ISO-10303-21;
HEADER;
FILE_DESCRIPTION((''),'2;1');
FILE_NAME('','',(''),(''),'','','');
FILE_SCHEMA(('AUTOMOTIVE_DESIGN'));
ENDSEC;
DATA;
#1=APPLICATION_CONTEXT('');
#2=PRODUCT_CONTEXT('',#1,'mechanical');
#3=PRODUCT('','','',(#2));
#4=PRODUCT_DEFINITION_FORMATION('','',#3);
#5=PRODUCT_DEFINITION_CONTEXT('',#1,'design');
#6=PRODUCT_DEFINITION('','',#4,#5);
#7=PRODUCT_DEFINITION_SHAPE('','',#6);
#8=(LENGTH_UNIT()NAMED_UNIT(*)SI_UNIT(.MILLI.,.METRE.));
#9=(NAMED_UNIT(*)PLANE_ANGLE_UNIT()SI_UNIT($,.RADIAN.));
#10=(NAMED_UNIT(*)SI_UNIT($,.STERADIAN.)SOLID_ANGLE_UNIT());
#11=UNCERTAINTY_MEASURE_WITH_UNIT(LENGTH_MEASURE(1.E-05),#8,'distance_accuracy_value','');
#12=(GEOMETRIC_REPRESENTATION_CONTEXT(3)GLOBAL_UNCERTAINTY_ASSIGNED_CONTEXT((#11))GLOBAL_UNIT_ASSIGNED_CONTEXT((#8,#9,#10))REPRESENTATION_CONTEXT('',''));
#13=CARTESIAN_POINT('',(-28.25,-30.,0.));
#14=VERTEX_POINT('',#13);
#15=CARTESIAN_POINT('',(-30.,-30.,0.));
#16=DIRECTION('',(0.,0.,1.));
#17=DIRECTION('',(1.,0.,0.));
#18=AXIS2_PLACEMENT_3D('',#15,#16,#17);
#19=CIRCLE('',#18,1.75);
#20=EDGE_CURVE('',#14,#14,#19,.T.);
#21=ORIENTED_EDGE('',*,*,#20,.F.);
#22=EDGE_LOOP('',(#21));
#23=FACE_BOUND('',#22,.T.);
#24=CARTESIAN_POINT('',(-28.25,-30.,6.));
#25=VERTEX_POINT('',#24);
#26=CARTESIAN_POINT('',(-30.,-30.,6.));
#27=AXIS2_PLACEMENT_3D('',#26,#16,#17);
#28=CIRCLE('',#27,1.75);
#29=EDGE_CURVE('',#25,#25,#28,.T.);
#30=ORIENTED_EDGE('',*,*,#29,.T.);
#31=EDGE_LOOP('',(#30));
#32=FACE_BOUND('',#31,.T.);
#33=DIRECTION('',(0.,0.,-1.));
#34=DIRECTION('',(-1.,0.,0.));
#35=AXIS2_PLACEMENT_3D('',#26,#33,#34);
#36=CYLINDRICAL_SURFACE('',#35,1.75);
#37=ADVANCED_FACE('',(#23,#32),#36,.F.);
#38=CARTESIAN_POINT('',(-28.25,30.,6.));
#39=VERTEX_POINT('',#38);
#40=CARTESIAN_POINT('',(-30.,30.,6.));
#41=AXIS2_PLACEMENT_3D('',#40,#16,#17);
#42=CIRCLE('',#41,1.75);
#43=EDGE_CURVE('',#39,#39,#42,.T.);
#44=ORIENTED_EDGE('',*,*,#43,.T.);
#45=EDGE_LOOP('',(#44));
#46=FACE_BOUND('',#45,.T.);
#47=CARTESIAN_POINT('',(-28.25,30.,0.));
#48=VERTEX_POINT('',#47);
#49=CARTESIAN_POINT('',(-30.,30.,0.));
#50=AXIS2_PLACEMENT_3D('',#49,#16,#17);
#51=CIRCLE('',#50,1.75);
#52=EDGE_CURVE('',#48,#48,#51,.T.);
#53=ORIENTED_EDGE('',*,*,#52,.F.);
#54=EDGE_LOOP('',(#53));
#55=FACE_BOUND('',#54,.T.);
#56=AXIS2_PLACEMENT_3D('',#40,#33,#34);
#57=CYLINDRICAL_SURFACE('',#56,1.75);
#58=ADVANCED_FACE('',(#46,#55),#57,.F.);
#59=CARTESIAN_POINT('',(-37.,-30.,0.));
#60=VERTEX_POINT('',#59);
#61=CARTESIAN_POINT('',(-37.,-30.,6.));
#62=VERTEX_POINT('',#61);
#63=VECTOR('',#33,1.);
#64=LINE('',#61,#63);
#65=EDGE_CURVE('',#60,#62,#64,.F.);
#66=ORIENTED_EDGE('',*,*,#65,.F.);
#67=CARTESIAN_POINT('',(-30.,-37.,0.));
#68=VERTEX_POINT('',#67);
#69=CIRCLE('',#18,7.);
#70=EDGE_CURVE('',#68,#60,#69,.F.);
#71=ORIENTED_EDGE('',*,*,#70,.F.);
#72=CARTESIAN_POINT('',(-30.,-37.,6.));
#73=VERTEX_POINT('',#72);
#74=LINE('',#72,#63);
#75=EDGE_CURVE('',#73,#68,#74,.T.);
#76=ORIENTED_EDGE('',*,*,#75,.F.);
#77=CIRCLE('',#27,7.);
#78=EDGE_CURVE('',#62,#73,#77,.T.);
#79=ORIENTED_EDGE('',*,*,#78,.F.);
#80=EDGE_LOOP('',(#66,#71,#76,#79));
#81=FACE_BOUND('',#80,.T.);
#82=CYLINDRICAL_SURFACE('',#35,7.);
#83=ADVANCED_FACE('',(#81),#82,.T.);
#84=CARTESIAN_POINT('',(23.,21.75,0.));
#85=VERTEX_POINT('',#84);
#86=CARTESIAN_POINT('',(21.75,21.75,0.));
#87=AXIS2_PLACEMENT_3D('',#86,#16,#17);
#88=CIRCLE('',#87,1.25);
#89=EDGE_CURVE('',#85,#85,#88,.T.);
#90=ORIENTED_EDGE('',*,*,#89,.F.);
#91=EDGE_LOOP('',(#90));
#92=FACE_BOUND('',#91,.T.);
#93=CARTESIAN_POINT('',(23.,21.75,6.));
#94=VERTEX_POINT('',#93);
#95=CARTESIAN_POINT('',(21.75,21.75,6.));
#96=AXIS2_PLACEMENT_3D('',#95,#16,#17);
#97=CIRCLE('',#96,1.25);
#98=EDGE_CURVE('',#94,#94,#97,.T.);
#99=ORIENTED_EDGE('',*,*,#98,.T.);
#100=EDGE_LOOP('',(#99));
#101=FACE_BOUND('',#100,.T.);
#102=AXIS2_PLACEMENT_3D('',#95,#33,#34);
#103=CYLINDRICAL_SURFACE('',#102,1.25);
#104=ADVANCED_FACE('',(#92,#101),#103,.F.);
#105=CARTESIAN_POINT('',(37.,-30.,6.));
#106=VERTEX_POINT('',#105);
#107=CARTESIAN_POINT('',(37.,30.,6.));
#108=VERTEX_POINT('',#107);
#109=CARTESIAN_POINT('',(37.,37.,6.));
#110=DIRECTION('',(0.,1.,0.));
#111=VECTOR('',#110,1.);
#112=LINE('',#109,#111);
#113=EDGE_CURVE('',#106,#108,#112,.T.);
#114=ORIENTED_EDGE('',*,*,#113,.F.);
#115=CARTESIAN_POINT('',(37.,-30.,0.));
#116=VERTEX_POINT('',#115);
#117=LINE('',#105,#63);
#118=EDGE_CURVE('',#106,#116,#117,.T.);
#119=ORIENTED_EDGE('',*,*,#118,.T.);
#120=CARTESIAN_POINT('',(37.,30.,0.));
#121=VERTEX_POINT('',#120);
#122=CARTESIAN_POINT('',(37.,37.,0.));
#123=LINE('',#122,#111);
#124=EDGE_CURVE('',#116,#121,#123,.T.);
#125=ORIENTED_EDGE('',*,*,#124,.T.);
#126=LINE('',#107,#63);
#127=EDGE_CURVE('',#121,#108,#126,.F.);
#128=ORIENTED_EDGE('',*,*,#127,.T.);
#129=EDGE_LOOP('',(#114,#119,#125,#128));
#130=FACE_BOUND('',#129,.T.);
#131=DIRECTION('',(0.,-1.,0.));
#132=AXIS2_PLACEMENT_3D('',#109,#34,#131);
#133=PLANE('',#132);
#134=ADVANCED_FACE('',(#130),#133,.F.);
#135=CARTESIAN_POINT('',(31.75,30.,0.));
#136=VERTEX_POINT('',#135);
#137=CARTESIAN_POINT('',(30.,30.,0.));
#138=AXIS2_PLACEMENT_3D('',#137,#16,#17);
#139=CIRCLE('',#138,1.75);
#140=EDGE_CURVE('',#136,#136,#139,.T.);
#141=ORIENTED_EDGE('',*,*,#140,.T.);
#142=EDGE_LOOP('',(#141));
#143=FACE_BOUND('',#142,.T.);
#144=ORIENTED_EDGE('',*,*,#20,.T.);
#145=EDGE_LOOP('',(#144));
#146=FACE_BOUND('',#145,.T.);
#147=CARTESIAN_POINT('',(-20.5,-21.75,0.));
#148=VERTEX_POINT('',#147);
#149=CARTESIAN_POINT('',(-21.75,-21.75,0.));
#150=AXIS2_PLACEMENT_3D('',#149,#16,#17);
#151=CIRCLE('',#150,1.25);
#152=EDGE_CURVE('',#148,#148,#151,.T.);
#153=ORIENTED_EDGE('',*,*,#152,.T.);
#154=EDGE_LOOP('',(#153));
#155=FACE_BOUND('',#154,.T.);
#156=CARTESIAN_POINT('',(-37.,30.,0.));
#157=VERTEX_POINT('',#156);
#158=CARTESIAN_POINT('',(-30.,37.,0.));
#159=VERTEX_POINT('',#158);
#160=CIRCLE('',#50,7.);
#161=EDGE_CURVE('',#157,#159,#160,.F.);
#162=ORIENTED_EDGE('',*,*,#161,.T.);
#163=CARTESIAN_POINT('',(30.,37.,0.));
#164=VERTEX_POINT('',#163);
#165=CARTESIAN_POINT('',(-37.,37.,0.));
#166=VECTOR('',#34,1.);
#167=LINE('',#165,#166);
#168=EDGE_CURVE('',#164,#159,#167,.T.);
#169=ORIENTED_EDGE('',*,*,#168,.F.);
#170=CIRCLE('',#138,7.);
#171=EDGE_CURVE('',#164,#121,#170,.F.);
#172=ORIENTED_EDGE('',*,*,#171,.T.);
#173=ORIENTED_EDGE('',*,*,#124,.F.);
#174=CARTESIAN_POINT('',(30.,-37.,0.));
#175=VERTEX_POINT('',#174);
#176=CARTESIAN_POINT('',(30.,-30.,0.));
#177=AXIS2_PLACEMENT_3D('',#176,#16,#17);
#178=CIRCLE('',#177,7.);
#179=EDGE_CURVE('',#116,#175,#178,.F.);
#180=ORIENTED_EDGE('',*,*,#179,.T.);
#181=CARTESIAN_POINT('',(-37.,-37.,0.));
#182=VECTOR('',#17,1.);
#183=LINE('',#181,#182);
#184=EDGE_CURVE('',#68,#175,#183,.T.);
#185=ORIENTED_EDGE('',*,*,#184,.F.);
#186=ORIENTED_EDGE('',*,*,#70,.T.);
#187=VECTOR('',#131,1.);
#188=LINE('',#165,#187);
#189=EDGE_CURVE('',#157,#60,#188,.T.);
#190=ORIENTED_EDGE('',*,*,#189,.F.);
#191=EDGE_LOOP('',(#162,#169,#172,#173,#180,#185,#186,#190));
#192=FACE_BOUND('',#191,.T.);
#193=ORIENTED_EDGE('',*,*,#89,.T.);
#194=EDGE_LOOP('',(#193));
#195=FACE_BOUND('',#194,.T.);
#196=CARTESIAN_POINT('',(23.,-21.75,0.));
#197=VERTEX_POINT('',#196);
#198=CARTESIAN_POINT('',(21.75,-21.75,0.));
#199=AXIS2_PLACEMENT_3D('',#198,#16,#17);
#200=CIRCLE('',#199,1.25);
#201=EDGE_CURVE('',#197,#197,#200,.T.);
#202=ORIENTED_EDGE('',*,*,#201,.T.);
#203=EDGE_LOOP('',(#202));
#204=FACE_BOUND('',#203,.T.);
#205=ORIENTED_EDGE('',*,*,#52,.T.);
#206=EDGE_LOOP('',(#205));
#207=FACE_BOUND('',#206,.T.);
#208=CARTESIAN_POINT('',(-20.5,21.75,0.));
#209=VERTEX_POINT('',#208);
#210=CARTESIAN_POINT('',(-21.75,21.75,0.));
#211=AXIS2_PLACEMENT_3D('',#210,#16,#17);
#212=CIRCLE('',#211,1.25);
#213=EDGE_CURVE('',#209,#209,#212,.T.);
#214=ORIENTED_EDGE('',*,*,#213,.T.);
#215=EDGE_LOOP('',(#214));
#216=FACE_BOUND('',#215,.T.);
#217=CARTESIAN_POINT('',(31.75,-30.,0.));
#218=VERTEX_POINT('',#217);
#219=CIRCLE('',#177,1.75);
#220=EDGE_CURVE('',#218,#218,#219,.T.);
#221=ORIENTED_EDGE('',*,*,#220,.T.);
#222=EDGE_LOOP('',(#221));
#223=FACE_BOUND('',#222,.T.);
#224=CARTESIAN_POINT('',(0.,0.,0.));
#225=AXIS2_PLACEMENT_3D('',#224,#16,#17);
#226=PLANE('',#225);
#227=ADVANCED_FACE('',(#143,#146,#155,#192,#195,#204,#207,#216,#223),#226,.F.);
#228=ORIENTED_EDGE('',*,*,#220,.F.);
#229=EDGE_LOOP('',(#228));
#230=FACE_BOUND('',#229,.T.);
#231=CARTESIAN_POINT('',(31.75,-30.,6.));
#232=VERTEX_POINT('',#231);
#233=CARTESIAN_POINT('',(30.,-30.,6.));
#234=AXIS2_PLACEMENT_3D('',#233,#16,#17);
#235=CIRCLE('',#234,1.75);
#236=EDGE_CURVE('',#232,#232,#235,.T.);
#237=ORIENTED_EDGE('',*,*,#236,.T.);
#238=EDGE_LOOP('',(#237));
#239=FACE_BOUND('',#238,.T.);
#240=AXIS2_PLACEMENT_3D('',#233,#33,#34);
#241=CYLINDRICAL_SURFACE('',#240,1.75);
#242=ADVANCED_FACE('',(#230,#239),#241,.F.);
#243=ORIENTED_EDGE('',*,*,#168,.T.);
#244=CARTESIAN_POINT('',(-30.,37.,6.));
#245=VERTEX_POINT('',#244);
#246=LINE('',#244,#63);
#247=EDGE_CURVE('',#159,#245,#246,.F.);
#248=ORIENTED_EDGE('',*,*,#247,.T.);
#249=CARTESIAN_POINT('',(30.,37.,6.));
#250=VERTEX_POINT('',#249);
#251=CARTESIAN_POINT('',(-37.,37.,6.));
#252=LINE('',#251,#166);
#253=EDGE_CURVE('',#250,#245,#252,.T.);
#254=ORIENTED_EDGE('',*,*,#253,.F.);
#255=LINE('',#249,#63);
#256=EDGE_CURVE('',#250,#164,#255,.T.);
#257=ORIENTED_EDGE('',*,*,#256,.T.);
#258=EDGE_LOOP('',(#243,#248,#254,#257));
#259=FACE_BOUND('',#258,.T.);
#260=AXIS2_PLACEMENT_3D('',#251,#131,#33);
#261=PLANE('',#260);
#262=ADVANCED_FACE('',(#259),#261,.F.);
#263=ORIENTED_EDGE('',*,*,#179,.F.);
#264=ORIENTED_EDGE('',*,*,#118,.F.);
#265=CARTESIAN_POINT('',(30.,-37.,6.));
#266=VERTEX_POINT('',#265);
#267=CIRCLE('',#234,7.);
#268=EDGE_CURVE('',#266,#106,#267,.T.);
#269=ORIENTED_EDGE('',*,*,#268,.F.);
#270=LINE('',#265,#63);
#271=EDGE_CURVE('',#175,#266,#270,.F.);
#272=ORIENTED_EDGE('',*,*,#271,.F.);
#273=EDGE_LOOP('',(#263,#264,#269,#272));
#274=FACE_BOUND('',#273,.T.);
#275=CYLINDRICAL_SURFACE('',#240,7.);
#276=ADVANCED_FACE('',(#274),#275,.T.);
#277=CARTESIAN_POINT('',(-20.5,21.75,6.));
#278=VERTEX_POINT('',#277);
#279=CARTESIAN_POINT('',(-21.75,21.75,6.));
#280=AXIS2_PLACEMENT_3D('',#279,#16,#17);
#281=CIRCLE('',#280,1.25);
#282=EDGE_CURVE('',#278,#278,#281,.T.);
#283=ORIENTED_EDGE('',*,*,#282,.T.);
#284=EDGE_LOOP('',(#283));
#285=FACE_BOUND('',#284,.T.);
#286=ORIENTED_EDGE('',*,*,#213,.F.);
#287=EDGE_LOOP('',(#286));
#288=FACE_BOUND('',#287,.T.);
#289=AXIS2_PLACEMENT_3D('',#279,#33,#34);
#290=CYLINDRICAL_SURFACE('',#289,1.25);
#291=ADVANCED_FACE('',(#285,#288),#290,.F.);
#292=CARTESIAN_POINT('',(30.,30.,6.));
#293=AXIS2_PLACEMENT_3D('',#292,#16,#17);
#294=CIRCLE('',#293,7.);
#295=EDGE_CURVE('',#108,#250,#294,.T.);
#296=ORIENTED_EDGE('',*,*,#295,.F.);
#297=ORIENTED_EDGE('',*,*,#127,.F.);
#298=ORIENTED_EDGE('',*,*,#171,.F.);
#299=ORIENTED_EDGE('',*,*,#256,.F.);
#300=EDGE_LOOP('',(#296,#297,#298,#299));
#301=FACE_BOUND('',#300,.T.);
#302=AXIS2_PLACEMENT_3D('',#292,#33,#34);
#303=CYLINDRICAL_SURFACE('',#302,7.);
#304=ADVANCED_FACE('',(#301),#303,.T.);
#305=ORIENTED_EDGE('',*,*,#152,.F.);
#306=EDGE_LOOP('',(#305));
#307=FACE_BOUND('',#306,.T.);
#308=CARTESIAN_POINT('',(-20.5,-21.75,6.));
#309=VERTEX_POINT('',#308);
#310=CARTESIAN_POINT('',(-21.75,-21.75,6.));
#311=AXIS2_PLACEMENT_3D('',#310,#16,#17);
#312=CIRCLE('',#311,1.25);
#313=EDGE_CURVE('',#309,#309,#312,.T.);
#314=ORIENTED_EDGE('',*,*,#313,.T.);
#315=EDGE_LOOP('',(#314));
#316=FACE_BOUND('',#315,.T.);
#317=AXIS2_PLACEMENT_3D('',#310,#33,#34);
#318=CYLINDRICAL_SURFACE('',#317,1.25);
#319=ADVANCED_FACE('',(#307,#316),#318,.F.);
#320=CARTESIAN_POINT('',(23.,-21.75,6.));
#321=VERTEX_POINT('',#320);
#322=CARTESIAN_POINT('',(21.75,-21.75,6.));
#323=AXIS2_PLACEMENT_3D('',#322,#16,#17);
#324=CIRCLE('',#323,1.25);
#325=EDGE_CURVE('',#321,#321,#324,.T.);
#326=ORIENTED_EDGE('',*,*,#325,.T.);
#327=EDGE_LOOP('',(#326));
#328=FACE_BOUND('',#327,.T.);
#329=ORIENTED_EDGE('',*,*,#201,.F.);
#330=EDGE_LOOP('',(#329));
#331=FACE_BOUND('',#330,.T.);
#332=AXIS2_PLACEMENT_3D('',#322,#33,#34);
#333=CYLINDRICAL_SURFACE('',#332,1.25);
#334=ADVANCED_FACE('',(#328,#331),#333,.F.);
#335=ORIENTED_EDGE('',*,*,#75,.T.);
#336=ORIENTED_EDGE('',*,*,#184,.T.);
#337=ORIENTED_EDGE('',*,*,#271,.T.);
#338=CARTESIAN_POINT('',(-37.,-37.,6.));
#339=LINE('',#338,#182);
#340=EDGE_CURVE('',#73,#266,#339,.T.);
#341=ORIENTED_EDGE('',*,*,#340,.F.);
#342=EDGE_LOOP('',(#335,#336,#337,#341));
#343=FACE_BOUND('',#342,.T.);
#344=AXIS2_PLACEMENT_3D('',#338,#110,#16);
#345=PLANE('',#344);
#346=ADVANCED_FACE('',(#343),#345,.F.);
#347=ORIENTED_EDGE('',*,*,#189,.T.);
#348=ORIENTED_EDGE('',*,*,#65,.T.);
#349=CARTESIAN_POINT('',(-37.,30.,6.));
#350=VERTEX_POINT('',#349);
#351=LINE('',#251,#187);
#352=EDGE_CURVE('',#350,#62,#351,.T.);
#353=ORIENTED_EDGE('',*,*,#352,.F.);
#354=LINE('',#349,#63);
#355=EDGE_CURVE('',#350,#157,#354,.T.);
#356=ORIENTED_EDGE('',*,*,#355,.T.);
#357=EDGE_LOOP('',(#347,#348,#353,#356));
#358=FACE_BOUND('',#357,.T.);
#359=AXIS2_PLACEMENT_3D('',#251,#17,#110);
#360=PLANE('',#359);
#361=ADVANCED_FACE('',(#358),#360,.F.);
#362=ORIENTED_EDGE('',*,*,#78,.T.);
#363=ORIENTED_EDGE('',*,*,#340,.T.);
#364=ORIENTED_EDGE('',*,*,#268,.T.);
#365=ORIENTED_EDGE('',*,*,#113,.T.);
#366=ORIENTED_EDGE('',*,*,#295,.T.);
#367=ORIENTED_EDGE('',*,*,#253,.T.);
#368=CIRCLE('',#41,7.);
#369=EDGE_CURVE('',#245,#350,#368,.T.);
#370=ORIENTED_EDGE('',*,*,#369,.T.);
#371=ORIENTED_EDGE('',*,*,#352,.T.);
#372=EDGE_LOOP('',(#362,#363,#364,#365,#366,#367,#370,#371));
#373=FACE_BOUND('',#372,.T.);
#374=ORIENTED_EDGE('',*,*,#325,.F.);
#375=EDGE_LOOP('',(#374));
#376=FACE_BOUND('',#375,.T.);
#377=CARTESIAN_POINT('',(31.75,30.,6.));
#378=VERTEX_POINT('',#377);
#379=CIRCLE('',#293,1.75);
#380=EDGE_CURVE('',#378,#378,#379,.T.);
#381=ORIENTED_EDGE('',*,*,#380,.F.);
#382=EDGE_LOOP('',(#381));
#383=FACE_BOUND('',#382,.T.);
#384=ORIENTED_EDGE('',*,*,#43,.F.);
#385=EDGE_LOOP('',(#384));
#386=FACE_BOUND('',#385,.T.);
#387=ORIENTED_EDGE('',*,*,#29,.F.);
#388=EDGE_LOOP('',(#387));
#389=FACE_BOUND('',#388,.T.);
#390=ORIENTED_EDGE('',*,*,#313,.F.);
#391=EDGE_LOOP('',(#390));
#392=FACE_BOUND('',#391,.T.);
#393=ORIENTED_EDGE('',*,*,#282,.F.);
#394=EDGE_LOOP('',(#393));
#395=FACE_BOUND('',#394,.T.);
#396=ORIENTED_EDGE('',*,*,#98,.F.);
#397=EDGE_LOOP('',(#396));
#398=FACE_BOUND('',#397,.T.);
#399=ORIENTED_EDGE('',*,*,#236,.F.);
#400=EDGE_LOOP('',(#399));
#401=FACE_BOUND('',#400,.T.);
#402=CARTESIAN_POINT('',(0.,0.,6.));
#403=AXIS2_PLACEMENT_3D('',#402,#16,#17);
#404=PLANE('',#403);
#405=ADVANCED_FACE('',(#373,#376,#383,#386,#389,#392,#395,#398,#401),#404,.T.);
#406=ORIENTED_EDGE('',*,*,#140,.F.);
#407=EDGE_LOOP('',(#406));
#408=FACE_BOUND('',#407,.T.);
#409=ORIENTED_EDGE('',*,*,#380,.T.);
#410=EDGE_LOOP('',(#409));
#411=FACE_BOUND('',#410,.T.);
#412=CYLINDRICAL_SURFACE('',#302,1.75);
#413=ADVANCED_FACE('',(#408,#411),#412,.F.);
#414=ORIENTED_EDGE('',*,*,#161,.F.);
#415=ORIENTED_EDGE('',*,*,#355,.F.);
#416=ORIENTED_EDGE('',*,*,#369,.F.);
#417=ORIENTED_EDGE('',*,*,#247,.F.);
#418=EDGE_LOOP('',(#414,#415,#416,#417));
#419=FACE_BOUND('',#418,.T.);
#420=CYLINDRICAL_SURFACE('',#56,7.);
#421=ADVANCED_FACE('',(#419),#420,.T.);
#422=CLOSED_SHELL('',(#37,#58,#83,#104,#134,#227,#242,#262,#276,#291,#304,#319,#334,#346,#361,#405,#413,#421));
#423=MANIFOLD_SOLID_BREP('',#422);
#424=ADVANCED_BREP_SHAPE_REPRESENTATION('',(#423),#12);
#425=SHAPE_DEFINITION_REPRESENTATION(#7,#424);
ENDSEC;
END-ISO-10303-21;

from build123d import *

# Parameters (mm, degrees)
ESQUISSE1_W        = 74
ESQUISSE1_H        = 74
ESQUISSE1_R        = 1.75
ESQUISSE1_R_2      = 1.25
BOSS_EXTRU_1_DEPTH = 6
CONG_1_R           = 7


with BuildPart() as part:
    # Esquisse1 → Boss.-Extru.1 (new body)
    with BuildSketch(Plane.XY):
        Rectangle(ESQUISSE1_W, ESQUISSE1_H)
        with Locations((-30, 30)):
            Circle(ESQUISSE1_R, mode=Mode.SUBTRACT)
        with Locations((-21.75, 21.75)):
            Circle(ESQUISSE1_R_2, mode=Mode.SUBTRACT)
        with Locations((30, 30)):
            Circle(ESQUISSE1_R, mode=Mode.SUBTRACT)
        with Locations((21.75, 21.75)):
            Circle(ESQUISSE1_R_2, mode=Mode.SUBTRACT)
        with Locations((21.75, -21.75)):
            Circle(ESQUISSE1_R_2, mode=Mode.SUBTRACT)
        with Locations((-21.75, -21.75)):
            Circle(ESQUISSE1_R_2, mode=Mode.SUBTRACT)
        with Locations((-30, -30)):
            Circle(ESQUISSE1_R, mode=Mode.SUBTRACT)
        with Locations((30, -30)):
            Circle(ESQUISSE1_R, mode=Mode.SUBTRACT)
    extrude(amount=BOSS_EXTRU_1_DEPTH)

    # Congé1
    cong_1_edges = [part.edges().sort_by_distance(p)[0] for p in [
        (-37, 37, 3),
        (37, 37, 3),
        (37, -37, 3),
        (-37, -37, 3),
    ]]
    fillet(cong_1_edges, radius=CONG_1_R)


solid = part.part
